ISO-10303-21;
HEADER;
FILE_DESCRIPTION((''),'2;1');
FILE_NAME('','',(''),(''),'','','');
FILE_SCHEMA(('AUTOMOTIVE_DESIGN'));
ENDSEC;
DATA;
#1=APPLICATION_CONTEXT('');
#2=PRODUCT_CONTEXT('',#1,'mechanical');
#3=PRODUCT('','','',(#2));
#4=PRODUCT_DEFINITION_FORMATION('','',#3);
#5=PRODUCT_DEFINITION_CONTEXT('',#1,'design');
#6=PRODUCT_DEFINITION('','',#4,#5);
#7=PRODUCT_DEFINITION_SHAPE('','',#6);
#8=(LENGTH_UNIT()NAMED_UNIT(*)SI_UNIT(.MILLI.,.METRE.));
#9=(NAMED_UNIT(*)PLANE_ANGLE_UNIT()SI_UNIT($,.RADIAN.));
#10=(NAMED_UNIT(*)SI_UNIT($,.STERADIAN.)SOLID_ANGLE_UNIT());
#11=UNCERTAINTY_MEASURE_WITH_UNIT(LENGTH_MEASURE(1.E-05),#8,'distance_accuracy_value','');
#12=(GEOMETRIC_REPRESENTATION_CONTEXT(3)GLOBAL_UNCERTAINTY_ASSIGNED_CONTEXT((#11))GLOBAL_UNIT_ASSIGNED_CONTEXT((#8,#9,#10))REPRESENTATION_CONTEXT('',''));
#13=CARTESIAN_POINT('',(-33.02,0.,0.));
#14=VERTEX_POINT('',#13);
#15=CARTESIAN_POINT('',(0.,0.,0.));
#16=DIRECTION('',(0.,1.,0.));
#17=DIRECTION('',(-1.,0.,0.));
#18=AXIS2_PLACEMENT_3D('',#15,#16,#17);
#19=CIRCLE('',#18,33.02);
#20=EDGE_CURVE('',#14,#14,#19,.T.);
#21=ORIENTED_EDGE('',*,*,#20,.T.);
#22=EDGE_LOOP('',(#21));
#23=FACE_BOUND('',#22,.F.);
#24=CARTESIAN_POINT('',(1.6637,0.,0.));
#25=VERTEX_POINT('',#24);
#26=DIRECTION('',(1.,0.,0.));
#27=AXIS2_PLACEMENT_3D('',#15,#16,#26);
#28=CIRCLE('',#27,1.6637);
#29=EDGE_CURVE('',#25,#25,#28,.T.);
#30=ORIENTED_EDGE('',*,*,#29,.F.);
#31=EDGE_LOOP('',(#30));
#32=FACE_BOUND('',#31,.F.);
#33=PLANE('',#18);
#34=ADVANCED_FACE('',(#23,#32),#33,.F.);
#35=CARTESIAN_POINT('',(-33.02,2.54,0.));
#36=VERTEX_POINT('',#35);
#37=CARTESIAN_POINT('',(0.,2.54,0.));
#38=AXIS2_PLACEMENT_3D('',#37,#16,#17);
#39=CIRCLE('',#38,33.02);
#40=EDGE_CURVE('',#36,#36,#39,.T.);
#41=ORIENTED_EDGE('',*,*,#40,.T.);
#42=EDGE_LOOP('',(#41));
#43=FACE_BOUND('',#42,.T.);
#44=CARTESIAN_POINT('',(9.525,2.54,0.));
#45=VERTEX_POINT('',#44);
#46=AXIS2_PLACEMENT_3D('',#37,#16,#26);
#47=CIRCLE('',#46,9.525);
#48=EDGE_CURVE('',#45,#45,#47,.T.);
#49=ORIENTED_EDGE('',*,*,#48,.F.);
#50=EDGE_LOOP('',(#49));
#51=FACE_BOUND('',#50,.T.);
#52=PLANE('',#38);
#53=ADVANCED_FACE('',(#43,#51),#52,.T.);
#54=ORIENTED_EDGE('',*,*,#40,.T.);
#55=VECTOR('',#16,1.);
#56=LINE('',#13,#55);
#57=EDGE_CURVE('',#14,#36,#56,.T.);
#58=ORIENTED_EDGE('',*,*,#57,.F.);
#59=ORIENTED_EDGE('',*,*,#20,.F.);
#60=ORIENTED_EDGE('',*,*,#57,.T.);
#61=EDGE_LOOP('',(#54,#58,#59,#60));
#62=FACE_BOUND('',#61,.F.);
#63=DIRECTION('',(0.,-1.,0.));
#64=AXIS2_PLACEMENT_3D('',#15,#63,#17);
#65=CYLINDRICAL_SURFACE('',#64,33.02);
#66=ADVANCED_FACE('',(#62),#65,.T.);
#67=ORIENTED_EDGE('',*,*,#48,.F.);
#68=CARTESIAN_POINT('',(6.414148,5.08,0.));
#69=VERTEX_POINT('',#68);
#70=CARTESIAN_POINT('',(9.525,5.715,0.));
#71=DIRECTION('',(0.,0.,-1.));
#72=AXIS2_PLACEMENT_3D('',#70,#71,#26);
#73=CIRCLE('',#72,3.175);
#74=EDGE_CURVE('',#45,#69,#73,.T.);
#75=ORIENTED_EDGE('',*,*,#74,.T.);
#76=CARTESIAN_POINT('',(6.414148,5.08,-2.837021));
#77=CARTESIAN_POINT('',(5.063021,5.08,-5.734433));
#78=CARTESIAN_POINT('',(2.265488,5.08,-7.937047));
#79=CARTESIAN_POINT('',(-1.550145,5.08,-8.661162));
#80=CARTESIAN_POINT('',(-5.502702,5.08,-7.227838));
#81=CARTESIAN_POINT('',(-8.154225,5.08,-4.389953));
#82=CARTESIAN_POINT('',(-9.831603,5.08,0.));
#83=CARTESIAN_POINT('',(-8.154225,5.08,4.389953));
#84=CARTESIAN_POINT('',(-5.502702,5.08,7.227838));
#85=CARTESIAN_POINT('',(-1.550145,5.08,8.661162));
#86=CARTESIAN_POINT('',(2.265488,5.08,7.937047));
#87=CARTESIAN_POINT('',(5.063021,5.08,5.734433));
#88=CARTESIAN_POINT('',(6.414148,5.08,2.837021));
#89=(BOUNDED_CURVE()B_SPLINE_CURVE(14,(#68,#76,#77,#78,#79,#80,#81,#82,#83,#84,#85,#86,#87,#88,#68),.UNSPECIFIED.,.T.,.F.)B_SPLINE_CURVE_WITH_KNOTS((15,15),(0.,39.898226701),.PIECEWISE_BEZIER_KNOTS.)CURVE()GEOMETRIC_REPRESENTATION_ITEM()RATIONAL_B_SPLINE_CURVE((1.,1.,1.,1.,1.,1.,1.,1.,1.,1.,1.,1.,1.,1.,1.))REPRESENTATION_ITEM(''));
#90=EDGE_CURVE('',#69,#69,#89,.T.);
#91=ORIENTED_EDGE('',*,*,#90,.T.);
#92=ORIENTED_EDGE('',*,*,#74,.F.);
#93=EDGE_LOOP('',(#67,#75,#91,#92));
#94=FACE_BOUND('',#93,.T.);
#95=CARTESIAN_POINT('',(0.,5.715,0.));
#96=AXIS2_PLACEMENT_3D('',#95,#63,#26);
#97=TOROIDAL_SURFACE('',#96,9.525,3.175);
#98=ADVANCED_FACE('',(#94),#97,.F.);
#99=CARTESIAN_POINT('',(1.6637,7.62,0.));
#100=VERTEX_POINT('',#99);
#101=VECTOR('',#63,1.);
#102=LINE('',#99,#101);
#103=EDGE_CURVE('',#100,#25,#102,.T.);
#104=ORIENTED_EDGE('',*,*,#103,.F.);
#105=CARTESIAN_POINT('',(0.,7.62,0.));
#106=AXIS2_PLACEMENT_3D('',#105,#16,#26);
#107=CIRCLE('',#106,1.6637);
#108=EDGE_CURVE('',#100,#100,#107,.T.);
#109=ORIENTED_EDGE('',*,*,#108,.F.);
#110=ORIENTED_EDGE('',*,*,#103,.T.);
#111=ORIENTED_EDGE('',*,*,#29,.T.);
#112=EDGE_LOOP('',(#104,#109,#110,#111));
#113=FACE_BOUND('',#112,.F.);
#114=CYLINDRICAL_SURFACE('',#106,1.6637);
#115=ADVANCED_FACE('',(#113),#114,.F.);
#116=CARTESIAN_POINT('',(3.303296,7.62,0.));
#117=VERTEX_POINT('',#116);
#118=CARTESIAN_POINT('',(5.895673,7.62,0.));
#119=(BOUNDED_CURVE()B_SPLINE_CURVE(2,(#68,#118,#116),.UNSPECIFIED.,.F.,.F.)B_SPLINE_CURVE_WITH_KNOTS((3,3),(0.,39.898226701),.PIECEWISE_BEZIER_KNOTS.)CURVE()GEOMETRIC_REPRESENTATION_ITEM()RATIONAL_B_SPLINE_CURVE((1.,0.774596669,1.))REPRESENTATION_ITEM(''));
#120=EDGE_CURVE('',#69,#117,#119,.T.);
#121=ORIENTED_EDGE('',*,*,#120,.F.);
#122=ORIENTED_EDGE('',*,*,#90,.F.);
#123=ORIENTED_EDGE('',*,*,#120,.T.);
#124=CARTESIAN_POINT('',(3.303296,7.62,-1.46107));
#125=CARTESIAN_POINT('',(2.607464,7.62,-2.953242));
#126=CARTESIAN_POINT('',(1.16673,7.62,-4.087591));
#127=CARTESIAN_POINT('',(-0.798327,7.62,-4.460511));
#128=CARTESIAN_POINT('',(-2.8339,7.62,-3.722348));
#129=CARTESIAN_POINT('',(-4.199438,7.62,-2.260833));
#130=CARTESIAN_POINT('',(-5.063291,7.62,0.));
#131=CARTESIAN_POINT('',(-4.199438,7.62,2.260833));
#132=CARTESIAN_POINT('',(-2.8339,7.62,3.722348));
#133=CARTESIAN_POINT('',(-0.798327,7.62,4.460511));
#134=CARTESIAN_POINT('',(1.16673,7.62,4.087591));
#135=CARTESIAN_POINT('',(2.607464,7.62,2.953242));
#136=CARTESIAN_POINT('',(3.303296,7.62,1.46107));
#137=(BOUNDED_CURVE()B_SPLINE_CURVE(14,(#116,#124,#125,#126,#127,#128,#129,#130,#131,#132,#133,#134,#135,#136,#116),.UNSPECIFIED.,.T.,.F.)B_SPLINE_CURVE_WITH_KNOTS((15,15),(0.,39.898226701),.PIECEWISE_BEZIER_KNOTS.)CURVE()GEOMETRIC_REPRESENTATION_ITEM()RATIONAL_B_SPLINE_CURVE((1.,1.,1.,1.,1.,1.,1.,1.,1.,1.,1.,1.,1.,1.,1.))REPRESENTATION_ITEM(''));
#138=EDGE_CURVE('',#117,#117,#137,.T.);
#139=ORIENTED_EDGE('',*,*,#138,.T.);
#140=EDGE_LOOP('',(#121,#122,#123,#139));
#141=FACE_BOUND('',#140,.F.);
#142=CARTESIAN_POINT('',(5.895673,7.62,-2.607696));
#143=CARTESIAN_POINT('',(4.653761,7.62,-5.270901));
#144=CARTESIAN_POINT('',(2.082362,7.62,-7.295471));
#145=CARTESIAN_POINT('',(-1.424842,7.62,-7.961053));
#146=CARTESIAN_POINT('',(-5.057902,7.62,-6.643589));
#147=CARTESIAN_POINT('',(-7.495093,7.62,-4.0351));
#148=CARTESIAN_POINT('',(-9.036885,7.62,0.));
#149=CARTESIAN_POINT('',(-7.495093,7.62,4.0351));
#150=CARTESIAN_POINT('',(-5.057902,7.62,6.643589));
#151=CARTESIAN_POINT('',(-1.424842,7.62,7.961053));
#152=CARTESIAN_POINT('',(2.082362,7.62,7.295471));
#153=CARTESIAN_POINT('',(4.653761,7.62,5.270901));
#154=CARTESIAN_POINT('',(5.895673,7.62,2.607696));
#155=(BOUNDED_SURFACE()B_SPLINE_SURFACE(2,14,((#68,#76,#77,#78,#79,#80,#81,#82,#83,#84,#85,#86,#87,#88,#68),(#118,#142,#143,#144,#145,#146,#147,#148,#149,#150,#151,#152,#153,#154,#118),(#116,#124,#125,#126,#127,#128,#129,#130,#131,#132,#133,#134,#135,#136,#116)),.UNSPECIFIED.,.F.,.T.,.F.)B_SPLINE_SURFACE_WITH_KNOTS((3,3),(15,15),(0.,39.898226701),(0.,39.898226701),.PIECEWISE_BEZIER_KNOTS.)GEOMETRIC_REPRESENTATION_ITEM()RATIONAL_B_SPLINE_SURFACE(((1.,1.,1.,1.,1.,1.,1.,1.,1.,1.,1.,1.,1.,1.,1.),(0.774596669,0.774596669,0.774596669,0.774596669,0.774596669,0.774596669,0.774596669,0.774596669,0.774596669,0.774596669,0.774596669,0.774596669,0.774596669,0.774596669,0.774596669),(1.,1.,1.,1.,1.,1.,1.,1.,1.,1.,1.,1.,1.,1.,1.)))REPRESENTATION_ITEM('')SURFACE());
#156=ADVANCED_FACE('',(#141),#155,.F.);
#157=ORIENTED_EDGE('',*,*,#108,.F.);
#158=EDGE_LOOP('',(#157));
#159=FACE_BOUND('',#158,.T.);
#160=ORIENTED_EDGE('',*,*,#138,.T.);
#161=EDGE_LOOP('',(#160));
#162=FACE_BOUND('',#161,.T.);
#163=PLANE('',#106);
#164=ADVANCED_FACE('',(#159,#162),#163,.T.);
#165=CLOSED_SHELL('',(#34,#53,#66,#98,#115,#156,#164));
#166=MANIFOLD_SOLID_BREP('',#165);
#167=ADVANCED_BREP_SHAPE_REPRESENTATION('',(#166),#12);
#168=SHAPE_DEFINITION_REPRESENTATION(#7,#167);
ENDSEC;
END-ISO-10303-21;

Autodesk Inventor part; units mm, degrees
ref_plane "YZ Plane" through (0, 0, 0) normal (1, 0, 0) x (0, 1, 0)
ref_plane "XZ Plane" through (0, 0, 0) normal (0, 1, 0) x (-1, 0, 0)
ref_plane "XY Plane" through (0, 0, 0) normal (0, 0, 1) x (1, 0, 0)
sketch "Sketch1" plane through (0, 0, 0) normal (0, 1, 0) x (-1, 0, 0)
  circle A0 centre (0, 0) radius 33.02
  dimension "d0" = 66.04
extrude "Extrusion1" add sketch "Sketch1" along normal blind 2.54
sketch "Sketch2" plane through (0, 2.54, 0) normal (0, 1, 0) x (1, 0, 0)
  circle A0 centre (0, 0) radius 6.35
  dimension "d4" = 12.7
extrude "Extrusion2" add sketch "Sketch2" along normal blind 5.08
fillet "Fillet1" radius 3.175 1 edges at (-6.35, 2.54, 0)
sketch "Sketch3" plane through (0, 7.62, 0) normal (0, 1, 0) x (1, 0, 0)
  circle A0 centre (0, 0) radius 1.6637
  dimension "d8" = 3.3274
extrude "Extrusion3" cut sketch "Sketch3" against normal blind 7.62
fillet "Fillet2" radius 3.175 1 edges at (-6.35, 7.62, 0)
sketch "Sketch4" plane through (0, 0, 0) normal (0, -1, 0) x (1, 0, 0)
  point P0 (0, 0)
sketch "Sketch7" plane through (0, 0, 0) normal (0, -1, 0) x (1, 0, 0)
  circle A0 centre (0, 0) radius 33.02 projected
  arc A1 (32.1408, -7.5691) -> (33.02, 0) centre (0, 0) ccw
  arc A2 (33.02, 0) -> (32.1572, 7.4991) centre (0, 0) ccw
  circle A3 centre (0, 0) radius 1.6637 projected
  line L0 (0, 0) -> (32.6627, -4.8446)
  line L1 (0, 0) -> (32.4709, 5.9969)
  arc A4 (32.6627, -4.8446) -> (32.4709, 5.9969) centre (0, 0) ccw
  line L2 (26.162, -3.8804) -> (26.162, 4.8318)
  arc A5 (32.6627, -4.8446) -> (32.4709, 5.9969) centre (0, 0) ccw
  arc A6 (26.5217, 19.6703) -> (18.7199, 27.2008) centre (0, 0) ccw
  line L3 (0, 0) -> (26.5217, 19.6703)
  line L4 (21.2432, 15.7555) -> (15.0827, 21.9159)
  line L5 (0, 0) -> (18.7199, 27.2008)
  arc A7 (4.8446, 32.6627) -> (-5.9969, 32.4709) centre (0, 0) ccw
  line L6 (0, 0) -> (4.8446, 32.6627)
  line L7 (3.8804, 26.162) -> (-4.8318, 26.162)
  line L8 (0, 0) -> (-5.9969, 32.4709)
  arc A8 (-19.6703, 26.5217) -> (-27.2008, 18.7199) centre (0, 0) ccw
  line L9 (0, 0) -> (-19.6703, 26.5217)
  line L10 (-15.7555, 21.2432) -> (-21.9159, 15.0827)
  line L11 (0, 0) -> (-27.2008, 18.7199)
  arc A9 (-32.6627, 4.8446) -> (-32.4709, -5.9969) centre (0, 0) ccw
  line L12 (0, 0) -> (-32.6627, 4.8446)
  line L13 (-26.162, 3.8804) -> (-26.162, -4.8318)
  line L14 (0, 0) -> (-32.4709, -5.9969)
  arc A10 (-26.5217, -19.6703) -> (-18.7199, -27.2008) centre (0, 0) ccw
  line L15 (0, 0) -> (-26.5217, -19.6703)
  line L16 (-21.2432, -15.7555) -> (-15.0827, -21.9159)
  line L17 (0, 0) -> (-18.7199, -27.2008)
  arc A11 (-4.8446, -32.6627) -> (5.9969, -32.4709) centre (0, 0) ccw
  line L18 (0, 0) -> (-4.8446, -32.6627)
  line L19 (-3.8804, -26.162) -> (4.8318, -26.162)
  line L20 (0, 0) -> (5.9969, -32.4709)
  arc A12 (19.6703, -26.5217) -> (27.2008, -18.7199) centre (0, 0) ccw
  line L21 (0, 0) -> (19.6703, -26.5217)
  line L22 (15.7555, -21.2432) -> (21.9159, -15.0827)
  line L23 (0, 0) -> (27.2008, -18.7199)
  point P0 (23.3487, 23.3487)
  point P1 (0, 33.02)
  point P2 (-23.3487, 23.3487)
  point P3 (-33.02, 0)
  point P4 (-23.3487, -23.3487)
  point P5 (0, -33.02)
  point P6 (23.3487, -23.3487)
  dimension "d25" = 26.162
  dimension "d26" = 8.7122
  dimension "d29" = 360
properties part number "small encoder wheel noah 1"
